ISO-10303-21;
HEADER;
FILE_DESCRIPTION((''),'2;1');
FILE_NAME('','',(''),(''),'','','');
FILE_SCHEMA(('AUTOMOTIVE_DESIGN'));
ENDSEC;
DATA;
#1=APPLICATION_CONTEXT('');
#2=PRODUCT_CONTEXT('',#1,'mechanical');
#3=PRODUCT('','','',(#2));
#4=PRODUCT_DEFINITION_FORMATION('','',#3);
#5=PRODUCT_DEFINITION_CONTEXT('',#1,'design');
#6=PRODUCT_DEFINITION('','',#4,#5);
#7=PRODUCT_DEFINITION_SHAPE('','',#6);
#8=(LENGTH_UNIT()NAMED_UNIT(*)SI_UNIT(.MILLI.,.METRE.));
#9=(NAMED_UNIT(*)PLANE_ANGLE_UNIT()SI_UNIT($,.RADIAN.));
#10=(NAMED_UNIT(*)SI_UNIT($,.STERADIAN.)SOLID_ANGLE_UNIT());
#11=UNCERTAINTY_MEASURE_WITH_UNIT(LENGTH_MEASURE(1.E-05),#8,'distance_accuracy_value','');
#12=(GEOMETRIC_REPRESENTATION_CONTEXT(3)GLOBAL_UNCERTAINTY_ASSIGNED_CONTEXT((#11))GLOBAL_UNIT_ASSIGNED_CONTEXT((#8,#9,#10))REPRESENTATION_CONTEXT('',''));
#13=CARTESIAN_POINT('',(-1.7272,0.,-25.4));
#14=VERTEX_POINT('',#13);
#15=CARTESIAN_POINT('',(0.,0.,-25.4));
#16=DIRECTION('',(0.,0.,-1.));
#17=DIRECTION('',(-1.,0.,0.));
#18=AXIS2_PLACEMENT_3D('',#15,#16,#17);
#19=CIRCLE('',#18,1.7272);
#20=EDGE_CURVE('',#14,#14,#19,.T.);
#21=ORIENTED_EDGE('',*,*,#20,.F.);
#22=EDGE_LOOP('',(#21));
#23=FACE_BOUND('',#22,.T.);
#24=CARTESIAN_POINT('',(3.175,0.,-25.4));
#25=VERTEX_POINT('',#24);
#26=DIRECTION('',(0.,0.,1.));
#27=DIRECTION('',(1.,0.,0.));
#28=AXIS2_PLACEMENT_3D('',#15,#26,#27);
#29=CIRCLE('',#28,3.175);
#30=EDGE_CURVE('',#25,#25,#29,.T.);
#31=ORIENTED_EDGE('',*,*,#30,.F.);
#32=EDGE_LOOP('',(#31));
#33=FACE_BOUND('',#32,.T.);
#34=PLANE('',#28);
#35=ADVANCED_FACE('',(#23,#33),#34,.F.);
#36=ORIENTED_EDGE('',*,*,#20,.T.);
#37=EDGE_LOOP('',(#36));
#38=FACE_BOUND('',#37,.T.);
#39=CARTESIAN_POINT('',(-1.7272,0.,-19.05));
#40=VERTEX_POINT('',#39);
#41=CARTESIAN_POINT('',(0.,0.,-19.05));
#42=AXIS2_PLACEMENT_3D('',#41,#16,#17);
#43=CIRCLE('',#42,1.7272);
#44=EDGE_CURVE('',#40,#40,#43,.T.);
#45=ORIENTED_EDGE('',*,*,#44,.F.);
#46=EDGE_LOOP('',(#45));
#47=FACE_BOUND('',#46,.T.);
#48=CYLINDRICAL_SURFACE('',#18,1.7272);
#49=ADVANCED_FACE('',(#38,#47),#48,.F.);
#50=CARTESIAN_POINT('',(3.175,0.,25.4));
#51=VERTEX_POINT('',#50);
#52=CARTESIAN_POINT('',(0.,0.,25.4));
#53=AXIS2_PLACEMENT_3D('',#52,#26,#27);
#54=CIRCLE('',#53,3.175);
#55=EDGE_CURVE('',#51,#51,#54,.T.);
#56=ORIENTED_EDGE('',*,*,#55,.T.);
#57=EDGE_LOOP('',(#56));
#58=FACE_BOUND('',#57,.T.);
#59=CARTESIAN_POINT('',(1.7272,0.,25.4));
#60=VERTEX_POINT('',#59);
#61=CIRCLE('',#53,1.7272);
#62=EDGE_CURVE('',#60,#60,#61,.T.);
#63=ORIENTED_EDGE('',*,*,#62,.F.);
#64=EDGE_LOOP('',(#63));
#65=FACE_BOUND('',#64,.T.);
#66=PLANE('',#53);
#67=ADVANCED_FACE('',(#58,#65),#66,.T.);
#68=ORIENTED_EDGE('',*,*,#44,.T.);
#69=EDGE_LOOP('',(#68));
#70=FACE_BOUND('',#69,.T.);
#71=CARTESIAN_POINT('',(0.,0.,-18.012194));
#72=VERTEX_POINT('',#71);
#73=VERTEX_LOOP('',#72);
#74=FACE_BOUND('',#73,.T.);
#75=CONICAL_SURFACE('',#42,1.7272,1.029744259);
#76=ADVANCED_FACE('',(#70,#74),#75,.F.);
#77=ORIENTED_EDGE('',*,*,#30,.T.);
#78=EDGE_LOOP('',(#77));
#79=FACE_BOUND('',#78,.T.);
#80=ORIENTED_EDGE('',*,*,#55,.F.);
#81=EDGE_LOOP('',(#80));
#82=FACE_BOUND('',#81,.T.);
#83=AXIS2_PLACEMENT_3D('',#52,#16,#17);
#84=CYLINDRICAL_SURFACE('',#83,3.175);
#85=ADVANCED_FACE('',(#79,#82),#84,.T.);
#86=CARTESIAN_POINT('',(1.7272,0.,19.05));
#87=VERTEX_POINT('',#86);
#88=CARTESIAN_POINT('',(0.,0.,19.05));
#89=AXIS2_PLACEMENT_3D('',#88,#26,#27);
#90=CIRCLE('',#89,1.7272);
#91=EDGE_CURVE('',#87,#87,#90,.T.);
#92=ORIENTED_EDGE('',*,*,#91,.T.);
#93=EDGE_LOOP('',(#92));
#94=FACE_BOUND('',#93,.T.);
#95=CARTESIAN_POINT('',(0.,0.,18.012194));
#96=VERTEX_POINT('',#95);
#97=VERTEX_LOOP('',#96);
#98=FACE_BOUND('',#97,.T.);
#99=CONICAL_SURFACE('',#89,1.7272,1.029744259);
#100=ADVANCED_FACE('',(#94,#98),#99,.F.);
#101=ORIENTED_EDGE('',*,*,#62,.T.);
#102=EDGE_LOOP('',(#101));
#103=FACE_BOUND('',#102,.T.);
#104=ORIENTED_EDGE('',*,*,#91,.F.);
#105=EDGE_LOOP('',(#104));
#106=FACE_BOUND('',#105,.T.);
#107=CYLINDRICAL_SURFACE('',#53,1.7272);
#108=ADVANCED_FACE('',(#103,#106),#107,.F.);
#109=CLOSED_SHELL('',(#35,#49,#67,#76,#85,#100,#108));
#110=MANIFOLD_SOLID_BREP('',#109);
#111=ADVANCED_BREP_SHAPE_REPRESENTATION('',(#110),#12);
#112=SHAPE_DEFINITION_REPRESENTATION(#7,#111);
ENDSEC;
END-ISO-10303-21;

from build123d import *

# Parameters (mm, degrees)
SKETCH1_R                               = 3.175
BOSS_EXTRUDE1_DEPTH                     = 25.4
TAP_DRILL_FOR_8_32_TAP1_D               = 3.4544
TAP_DRILL_FOR_8_32_TAP1_DEPTH           = 6.35
TAP_DRILL_FOR_8_32_TAP1_TIP             = 1.037806461
TAP_DRILL_FOR_8_32_TAP1_ON_FACE_2_D     = 3.4544
TAP_DRILL_FOR_8_32_TAP1_ON_FACE_2_DEPTH = 6.35
TAP_DRILL_FOR_8_32_TAP1_ON_FACE_2_TIP   = 1.037806461


with BuildPart() as part:
    # Sketch1 → Boss-Extrude1 (new, symmetric)
    with BuildSketch(Plane.XY):
        Circle(SKETCH1_R)
    extrude(amount=BOSS_EXTRUDE1_DEPTH, both=True)

    # Tap Drill for #8-32 Tap1
    with Locations(Plane.XY.offset(25.4)):
        with Locations((0, 0)):
            Hole(TAP_DRILL_FOR_8_32_TAP1_D / 2, depth=TAP_DRILL_FOR_8_32_TAP1_DEPTH)
            with Locations((0, 0, -(TAP_DRILL_FOR_8_32_TAP1_DEPTH + TAP_DRILL_FOR_8_32_TAP1_TIP / 2))):  # 118° drill point
                Cone(0, TAP_DRILL_FOR_8_32_TAP1_D / 2, TAP_DRILL_FOR_8_32_TAP1_TIP, mode=Mode.SUBTRACT)

    # Tap Drill for #8-32 Tap1 on face 2
    with Locations(Plane(origin=(0, 0, -25.4), x_dir=(-1, 0, 0), z_dir=(0, 0, -1))):
        with Locations((0, 0)):
            Hole(TAP_DRILL_FOR_8_32_TAP1_ON_FACE_2_D / 2, depth=TAP_DRILL_FOR_8_32_TAP1_ON_FACE_2_DEPTH)
            with Locations((0, 0, -(TAP_DRILL_FOR_8_32_TAP1_ON_FACE_2_DEPTH + TAP_DRILL_FOR_8_32_TAP1_ON_FACE_2_TIP / 2))):  # 118° drill point
                Cone(0, TAP_DRILL_FOR_8_32_TAP1_ON_FACE_2_D / 2, TAP_DRILL_FOR_8_32_TAP1_ON_FACE_2_TIP, mode=Mode.SUBTRACT)


solid = part.part
